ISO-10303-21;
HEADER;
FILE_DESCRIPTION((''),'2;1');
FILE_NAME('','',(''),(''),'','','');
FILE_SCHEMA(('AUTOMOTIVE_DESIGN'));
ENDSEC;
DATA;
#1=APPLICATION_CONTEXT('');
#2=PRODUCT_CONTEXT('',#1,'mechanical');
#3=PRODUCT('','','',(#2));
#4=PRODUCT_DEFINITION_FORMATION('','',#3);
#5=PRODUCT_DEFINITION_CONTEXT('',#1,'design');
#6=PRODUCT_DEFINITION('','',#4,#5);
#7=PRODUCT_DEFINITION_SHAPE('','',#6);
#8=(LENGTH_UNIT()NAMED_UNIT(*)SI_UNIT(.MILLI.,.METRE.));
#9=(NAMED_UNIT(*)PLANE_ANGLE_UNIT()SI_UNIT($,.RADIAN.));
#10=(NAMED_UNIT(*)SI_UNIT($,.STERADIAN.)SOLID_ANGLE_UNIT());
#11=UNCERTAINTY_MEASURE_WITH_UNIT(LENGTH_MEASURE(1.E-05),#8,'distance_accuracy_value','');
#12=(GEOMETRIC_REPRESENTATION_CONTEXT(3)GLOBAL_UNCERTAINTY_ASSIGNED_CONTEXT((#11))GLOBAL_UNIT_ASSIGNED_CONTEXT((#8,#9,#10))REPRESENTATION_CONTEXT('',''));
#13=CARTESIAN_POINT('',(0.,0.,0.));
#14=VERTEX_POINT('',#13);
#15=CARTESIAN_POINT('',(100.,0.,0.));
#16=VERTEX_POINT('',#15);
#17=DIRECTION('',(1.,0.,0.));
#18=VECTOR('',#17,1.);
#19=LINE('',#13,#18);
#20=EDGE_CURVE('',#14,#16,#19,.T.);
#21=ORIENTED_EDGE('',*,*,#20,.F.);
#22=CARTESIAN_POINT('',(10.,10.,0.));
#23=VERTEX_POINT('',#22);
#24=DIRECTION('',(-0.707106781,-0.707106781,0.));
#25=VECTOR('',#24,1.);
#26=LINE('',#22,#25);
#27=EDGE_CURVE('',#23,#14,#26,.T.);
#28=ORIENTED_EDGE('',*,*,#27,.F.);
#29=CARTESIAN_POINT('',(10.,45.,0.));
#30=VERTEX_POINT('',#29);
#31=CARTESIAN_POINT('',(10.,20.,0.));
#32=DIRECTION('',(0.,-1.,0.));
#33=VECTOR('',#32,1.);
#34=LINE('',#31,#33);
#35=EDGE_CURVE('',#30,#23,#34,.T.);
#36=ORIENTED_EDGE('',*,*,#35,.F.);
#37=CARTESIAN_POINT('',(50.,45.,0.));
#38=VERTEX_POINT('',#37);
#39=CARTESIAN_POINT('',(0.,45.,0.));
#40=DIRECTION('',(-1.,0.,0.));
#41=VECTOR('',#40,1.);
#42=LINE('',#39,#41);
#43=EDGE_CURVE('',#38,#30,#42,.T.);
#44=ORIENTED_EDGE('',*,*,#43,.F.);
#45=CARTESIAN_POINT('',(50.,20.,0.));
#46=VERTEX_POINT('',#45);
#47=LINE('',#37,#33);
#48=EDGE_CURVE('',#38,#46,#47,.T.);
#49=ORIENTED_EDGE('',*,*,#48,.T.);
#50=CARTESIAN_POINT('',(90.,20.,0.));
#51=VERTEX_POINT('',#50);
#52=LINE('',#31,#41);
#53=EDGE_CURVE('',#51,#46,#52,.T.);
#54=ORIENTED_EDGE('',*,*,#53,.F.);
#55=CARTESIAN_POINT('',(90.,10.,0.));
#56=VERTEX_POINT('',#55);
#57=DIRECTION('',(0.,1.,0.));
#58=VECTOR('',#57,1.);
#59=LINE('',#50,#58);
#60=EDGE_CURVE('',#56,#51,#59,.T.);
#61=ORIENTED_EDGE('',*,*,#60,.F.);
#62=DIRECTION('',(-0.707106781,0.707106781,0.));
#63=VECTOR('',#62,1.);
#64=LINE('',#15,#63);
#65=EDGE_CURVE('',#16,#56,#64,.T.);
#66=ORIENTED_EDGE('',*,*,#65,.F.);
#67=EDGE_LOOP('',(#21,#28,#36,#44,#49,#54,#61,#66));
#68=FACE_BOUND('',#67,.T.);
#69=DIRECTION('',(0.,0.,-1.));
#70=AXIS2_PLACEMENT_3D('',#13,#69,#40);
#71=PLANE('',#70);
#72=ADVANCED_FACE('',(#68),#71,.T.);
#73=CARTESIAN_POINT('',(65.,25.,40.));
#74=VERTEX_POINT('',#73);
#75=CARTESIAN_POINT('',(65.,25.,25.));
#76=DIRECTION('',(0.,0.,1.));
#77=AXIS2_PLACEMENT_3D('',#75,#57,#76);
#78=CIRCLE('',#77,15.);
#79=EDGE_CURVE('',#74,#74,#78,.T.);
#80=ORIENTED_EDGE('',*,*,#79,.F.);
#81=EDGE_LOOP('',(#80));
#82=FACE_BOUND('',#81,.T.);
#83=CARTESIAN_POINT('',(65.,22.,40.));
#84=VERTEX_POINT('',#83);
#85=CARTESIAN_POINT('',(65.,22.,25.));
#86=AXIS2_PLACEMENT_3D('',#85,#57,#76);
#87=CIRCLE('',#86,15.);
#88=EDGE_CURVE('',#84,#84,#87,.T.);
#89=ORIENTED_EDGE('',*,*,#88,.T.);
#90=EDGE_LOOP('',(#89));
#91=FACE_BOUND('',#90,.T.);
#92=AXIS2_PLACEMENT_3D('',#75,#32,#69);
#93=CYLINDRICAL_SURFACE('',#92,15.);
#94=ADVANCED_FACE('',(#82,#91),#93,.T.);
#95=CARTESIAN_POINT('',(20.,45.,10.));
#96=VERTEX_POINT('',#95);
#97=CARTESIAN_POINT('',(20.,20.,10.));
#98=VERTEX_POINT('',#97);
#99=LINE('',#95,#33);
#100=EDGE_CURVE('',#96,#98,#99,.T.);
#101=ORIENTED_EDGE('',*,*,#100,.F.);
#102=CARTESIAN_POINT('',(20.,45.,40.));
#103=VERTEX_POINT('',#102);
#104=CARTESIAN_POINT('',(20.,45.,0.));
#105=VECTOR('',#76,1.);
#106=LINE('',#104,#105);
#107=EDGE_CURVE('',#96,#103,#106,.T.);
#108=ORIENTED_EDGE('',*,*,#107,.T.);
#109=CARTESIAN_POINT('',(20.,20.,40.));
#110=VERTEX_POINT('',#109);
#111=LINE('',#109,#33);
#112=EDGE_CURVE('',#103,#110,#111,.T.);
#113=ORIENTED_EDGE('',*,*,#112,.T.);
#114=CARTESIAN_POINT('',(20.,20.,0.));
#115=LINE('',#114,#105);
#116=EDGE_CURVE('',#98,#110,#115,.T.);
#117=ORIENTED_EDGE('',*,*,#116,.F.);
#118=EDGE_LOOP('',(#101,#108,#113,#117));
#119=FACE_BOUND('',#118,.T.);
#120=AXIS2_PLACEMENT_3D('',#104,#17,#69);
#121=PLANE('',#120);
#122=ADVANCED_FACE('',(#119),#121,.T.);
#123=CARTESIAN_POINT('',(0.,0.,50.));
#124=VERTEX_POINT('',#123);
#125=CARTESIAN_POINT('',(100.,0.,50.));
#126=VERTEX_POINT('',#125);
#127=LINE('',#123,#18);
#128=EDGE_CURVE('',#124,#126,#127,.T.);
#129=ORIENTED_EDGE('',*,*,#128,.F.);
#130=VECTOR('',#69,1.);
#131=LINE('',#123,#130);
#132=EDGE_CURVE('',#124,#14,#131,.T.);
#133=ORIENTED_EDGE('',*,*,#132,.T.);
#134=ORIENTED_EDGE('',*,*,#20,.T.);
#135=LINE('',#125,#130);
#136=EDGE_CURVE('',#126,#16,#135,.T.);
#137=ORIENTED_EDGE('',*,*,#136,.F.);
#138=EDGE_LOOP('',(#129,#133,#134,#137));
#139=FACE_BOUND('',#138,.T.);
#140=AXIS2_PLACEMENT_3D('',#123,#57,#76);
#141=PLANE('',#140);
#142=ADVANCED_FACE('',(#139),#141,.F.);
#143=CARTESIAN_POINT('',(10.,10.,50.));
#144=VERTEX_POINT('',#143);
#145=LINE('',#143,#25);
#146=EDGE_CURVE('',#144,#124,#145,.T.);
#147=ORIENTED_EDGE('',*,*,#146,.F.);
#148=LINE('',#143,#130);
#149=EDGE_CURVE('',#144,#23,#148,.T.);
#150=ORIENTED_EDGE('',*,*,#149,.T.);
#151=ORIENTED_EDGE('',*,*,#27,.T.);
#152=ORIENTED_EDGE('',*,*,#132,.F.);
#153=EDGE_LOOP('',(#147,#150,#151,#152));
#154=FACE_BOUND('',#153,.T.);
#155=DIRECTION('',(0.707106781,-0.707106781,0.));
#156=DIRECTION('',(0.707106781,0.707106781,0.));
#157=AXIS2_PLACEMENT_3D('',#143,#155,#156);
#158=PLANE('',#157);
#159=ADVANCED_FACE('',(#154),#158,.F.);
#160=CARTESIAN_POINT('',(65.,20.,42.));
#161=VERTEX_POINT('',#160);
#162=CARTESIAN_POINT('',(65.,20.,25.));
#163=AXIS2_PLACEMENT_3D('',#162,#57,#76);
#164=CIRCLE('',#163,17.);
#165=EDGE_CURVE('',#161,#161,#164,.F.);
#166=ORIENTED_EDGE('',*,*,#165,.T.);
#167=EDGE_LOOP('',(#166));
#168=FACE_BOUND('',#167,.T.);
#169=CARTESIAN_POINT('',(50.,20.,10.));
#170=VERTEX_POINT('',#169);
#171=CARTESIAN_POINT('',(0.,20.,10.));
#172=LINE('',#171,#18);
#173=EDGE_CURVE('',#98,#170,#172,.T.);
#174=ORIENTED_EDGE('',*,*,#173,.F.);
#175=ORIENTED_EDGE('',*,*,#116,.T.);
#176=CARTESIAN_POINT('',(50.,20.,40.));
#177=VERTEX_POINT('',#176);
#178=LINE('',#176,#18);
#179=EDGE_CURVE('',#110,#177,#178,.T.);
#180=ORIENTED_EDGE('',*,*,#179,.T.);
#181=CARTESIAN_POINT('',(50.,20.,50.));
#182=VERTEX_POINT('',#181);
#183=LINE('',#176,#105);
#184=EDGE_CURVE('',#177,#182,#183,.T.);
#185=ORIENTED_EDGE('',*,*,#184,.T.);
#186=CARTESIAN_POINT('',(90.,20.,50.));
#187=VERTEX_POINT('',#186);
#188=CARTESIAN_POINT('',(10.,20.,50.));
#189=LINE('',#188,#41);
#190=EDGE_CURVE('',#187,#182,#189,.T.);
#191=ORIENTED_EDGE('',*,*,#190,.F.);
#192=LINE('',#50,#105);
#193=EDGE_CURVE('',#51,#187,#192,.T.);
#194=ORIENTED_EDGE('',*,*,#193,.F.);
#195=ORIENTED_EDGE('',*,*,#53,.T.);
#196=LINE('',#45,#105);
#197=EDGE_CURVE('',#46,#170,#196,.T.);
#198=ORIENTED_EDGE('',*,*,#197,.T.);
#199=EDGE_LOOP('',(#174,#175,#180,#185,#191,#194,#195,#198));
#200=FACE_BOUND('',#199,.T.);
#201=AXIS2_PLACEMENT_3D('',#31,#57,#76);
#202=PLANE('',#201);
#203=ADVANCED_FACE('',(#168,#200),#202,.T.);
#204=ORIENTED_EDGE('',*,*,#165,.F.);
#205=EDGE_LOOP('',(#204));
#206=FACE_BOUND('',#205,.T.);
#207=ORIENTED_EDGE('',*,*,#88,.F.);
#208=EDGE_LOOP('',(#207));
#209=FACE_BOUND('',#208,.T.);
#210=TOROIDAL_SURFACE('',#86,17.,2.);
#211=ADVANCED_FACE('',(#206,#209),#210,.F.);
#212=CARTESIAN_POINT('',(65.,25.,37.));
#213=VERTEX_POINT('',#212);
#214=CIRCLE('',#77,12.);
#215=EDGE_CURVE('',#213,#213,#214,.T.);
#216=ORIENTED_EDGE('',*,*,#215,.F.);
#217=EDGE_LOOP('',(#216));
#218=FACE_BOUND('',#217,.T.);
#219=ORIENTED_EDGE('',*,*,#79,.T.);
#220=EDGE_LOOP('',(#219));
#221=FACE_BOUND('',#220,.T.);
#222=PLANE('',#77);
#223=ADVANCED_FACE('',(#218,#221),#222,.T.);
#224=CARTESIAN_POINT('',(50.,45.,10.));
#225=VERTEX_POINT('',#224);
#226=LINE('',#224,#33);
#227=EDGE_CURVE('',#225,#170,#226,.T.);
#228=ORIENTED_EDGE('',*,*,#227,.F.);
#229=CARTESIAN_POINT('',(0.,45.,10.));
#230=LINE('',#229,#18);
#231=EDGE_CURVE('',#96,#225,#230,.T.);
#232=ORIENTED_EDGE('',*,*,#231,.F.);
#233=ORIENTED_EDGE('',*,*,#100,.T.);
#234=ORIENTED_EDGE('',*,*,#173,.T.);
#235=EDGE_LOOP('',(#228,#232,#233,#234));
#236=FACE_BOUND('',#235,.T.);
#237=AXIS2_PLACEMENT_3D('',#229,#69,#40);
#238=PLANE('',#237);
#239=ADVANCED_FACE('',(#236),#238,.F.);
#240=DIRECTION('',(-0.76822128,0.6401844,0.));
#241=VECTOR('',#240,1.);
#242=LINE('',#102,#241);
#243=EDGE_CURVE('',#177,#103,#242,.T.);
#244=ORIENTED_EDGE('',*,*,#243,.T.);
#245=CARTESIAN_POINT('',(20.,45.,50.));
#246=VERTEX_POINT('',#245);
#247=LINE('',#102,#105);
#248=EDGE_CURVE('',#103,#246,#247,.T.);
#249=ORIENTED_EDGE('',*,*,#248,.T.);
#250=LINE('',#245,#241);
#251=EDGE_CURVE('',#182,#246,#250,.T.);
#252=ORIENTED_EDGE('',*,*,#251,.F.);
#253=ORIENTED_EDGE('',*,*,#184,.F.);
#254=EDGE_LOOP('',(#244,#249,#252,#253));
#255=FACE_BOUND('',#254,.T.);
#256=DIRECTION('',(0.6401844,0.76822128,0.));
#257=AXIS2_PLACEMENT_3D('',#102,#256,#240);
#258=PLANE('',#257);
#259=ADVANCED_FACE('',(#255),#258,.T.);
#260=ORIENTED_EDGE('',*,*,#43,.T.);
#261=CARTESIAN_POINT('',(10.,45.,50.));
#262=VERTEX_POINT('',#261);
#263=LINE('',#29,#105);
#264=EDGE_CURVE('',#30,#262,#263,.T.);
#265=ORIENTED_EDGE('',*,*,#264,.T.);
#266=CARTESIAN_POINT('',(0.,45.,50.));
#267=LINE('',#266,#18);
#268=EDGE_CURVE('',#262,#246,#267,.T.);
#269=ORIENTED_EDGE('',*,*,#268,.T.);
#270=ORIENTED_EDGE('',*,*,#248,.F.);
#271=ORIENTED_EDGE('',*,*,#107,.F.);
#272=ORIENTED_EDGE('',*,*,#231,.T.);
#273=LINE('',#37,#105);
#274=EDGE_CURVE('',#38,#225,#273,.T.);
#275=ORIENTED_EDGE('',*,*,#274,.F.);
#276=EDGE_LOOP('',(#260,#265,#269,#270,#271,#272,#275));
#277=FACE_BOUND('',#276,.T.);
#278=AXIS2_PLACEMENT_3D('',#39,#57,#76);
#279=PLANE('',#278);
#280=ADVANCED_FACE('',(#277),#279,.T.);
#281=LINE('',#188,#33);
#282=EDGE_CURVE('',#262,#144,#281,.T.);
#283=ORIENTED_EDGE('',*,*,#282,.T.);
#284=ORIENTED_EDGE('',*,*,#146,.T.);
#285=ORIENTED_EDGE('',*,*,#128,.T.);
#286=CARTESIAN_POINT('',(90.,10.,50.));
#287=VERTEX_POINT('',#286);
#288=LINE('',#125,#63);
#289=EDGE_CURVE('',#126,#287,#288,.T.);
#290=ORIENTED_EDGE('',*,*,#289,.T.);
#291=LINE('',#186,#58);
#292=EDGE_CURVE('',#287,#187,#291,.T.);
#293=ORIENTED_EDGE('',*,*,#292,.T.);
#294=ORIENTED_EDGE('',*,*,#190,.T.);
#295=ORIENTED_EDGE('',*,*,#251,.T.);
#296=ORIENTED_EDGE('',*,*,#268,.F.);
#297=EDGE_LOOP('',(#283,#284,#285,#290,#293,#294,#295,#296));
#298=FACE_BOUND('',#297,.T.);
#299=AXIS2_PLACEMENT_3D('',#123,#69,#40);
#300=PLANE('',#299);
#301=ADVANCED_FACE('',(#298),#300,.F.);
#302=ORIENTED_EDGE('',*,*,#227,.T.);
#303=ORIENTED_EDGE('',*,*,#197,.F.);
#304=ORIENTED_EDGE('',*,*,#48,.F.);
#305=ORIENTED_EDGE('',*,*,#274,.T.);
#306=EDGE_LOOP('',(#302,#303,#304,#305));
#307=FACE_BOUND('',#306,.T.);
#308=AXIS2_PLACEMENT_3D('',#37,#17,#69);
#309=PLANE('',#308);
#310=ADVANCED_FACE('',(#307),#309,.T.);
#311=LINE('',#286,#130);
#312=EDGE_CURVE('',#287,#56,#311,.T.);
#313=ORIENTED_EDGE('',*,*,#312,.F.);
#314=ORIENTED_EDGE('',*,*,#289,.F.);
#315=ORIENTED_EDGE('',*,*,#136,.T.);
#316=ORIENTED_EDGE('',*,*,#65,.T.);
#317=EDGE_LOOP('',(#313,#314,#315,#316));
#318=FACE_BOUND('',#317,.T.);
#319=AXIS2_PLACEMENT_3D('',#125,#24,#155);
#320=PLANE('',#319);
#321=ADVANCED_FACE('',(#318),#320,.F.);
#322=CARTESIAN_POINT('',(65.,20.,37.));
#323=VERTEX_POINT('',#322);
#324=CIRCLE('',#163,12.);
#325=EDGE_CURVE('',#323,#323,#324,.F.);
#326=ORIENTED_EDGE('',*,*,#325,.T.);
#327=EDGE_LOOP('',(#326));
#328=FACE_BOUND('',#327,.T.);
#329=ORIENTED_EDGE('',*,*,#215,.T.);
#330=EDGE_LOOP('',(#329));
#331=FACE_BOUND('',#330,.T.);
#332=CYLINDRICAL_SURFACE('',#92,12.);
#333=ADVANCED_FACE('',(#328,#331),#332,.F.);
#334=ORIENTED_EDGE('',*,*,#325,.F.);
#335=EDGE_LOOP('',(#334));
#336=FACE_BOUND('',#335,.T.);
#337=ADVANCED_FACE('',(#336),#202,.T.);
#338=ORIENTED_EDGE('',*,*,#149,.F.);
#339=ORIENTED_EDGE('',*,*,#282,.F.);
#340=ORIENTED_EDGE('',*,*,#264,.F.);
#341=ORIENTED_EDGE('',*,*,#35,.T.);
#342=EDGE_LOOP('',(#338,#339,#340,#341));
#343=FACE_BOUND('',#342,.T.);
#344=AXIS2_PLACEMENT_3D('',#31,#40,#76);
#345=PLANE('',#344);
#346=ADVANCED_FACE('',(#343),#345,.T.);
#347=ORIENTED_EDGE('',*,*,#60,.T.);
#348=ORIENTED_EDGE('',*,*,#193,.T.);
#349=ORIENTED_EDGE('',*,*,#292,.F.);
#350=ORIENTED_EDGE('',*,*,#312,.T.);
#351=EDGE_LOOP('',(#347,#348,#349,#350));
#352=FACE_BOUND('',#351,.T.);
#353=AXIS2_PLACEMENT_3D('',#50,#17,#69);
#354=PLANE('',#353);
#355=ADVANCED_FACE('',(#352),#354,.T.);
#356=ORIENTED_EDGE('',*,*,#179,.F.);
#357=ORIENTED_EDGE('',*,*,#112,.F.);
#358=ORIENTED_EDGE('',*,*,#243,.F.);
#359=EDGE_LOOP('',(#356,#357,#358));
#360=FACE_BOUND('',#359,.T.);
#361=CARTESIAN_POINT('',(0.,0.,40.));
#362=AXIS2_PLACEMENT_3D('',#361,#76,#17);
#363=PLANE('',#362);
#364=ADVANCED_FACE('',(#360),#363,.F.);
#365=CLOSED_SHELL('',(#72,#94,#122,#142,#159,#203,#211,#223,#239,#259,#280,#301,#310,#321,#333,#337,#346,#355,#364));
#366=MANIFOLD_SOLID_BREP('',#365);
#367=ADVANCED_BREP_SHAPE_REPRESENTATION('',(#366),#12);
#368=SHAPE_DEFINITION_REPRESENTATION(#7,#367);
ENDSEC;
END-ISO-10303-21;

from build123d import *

# Parameters (mm, degrees)
BOSS_EXTRU_3_DEPTH = 50
ESQUISSE3_W        = 80
ESQUISSE3_H        = 10
BOSS_EXTRU_4_DEPTH = 50
ESQUISSE4_R        = 15
ESQUISSE4_R_2      = 12
BOSS_EXTRU_5_DEPTH = 5
CONG_1_R           = 2
BOSS_EXTRU_6_DEPTH = 25
BOSS_EXTRU_7_DEPTH = 10


with BuildPart() as part:
    # Esquisse2 → Boss.-Extru.3 (new body)
    with BuildSketch(Plane.XY):
        Polygon((0, 0), (100, 0), (90, 10), (10, 10), align=None)
    extrude(amount=BOSS_EXTRU_3_DEPTH)

    # Esquisse3 → Boss.-Extru.4 (add)
    with BuildSketch(Plane.XY.offset(50)):
        with Locations((50, 15)):
            Rectangle(ESQUISSE3_W, ESQUISSE3_H)
    extrude(amount=-BOSS_EXTRU_4_DEPTH)

    # Esquisse4 → Boss.-Extru.5 (add)
    with BuildSketch(Plane(origin=(0, 20, 0), x_dir=(1, 0, 0), z_dir=(0, 1, 0))):
        with Locations((65, -25)):
            Circle(ESQUISSE4_R)
        with Locations((65, -25)):
            Circle(ESQUISSE4_R_2, mode=Mode.SUBTRACT)
    extrude(amount=BOSS_EXTRU_5_DEPTH)

    # Congé1
    cong_1_edges = [part.edges().sort_by_distance(p)[0] for p in [
        (50, 20, 25),
    ]]
    fillet(cong_1_edges, radius=CONG_1_R)

    # Esquisse5 → Boss.-Extru.6 (add)
    with BuildSketch(Plane(origin=(0, 20, 0), x_dir=(1, 0, 0), z_dir=(0, 1, 0))):
        Polygon((20, 0), (10, 0), (10, -50), (20, -50), (20, -10), (50, -10), (50, 0), align=None)
    extrude(amount=BOSS_EXTRU_6_DEPTH)

    # Esquisse6 → Boss.-Extru.7 (add)
    with BuildSketch(Plane.XY.offset(50)):
        Polygon((20, 45), (50, 20), (20, 20), align=None)
    extrude(amount=-BOSS_EXTRU_7_DEPTH)


solid = part.part
